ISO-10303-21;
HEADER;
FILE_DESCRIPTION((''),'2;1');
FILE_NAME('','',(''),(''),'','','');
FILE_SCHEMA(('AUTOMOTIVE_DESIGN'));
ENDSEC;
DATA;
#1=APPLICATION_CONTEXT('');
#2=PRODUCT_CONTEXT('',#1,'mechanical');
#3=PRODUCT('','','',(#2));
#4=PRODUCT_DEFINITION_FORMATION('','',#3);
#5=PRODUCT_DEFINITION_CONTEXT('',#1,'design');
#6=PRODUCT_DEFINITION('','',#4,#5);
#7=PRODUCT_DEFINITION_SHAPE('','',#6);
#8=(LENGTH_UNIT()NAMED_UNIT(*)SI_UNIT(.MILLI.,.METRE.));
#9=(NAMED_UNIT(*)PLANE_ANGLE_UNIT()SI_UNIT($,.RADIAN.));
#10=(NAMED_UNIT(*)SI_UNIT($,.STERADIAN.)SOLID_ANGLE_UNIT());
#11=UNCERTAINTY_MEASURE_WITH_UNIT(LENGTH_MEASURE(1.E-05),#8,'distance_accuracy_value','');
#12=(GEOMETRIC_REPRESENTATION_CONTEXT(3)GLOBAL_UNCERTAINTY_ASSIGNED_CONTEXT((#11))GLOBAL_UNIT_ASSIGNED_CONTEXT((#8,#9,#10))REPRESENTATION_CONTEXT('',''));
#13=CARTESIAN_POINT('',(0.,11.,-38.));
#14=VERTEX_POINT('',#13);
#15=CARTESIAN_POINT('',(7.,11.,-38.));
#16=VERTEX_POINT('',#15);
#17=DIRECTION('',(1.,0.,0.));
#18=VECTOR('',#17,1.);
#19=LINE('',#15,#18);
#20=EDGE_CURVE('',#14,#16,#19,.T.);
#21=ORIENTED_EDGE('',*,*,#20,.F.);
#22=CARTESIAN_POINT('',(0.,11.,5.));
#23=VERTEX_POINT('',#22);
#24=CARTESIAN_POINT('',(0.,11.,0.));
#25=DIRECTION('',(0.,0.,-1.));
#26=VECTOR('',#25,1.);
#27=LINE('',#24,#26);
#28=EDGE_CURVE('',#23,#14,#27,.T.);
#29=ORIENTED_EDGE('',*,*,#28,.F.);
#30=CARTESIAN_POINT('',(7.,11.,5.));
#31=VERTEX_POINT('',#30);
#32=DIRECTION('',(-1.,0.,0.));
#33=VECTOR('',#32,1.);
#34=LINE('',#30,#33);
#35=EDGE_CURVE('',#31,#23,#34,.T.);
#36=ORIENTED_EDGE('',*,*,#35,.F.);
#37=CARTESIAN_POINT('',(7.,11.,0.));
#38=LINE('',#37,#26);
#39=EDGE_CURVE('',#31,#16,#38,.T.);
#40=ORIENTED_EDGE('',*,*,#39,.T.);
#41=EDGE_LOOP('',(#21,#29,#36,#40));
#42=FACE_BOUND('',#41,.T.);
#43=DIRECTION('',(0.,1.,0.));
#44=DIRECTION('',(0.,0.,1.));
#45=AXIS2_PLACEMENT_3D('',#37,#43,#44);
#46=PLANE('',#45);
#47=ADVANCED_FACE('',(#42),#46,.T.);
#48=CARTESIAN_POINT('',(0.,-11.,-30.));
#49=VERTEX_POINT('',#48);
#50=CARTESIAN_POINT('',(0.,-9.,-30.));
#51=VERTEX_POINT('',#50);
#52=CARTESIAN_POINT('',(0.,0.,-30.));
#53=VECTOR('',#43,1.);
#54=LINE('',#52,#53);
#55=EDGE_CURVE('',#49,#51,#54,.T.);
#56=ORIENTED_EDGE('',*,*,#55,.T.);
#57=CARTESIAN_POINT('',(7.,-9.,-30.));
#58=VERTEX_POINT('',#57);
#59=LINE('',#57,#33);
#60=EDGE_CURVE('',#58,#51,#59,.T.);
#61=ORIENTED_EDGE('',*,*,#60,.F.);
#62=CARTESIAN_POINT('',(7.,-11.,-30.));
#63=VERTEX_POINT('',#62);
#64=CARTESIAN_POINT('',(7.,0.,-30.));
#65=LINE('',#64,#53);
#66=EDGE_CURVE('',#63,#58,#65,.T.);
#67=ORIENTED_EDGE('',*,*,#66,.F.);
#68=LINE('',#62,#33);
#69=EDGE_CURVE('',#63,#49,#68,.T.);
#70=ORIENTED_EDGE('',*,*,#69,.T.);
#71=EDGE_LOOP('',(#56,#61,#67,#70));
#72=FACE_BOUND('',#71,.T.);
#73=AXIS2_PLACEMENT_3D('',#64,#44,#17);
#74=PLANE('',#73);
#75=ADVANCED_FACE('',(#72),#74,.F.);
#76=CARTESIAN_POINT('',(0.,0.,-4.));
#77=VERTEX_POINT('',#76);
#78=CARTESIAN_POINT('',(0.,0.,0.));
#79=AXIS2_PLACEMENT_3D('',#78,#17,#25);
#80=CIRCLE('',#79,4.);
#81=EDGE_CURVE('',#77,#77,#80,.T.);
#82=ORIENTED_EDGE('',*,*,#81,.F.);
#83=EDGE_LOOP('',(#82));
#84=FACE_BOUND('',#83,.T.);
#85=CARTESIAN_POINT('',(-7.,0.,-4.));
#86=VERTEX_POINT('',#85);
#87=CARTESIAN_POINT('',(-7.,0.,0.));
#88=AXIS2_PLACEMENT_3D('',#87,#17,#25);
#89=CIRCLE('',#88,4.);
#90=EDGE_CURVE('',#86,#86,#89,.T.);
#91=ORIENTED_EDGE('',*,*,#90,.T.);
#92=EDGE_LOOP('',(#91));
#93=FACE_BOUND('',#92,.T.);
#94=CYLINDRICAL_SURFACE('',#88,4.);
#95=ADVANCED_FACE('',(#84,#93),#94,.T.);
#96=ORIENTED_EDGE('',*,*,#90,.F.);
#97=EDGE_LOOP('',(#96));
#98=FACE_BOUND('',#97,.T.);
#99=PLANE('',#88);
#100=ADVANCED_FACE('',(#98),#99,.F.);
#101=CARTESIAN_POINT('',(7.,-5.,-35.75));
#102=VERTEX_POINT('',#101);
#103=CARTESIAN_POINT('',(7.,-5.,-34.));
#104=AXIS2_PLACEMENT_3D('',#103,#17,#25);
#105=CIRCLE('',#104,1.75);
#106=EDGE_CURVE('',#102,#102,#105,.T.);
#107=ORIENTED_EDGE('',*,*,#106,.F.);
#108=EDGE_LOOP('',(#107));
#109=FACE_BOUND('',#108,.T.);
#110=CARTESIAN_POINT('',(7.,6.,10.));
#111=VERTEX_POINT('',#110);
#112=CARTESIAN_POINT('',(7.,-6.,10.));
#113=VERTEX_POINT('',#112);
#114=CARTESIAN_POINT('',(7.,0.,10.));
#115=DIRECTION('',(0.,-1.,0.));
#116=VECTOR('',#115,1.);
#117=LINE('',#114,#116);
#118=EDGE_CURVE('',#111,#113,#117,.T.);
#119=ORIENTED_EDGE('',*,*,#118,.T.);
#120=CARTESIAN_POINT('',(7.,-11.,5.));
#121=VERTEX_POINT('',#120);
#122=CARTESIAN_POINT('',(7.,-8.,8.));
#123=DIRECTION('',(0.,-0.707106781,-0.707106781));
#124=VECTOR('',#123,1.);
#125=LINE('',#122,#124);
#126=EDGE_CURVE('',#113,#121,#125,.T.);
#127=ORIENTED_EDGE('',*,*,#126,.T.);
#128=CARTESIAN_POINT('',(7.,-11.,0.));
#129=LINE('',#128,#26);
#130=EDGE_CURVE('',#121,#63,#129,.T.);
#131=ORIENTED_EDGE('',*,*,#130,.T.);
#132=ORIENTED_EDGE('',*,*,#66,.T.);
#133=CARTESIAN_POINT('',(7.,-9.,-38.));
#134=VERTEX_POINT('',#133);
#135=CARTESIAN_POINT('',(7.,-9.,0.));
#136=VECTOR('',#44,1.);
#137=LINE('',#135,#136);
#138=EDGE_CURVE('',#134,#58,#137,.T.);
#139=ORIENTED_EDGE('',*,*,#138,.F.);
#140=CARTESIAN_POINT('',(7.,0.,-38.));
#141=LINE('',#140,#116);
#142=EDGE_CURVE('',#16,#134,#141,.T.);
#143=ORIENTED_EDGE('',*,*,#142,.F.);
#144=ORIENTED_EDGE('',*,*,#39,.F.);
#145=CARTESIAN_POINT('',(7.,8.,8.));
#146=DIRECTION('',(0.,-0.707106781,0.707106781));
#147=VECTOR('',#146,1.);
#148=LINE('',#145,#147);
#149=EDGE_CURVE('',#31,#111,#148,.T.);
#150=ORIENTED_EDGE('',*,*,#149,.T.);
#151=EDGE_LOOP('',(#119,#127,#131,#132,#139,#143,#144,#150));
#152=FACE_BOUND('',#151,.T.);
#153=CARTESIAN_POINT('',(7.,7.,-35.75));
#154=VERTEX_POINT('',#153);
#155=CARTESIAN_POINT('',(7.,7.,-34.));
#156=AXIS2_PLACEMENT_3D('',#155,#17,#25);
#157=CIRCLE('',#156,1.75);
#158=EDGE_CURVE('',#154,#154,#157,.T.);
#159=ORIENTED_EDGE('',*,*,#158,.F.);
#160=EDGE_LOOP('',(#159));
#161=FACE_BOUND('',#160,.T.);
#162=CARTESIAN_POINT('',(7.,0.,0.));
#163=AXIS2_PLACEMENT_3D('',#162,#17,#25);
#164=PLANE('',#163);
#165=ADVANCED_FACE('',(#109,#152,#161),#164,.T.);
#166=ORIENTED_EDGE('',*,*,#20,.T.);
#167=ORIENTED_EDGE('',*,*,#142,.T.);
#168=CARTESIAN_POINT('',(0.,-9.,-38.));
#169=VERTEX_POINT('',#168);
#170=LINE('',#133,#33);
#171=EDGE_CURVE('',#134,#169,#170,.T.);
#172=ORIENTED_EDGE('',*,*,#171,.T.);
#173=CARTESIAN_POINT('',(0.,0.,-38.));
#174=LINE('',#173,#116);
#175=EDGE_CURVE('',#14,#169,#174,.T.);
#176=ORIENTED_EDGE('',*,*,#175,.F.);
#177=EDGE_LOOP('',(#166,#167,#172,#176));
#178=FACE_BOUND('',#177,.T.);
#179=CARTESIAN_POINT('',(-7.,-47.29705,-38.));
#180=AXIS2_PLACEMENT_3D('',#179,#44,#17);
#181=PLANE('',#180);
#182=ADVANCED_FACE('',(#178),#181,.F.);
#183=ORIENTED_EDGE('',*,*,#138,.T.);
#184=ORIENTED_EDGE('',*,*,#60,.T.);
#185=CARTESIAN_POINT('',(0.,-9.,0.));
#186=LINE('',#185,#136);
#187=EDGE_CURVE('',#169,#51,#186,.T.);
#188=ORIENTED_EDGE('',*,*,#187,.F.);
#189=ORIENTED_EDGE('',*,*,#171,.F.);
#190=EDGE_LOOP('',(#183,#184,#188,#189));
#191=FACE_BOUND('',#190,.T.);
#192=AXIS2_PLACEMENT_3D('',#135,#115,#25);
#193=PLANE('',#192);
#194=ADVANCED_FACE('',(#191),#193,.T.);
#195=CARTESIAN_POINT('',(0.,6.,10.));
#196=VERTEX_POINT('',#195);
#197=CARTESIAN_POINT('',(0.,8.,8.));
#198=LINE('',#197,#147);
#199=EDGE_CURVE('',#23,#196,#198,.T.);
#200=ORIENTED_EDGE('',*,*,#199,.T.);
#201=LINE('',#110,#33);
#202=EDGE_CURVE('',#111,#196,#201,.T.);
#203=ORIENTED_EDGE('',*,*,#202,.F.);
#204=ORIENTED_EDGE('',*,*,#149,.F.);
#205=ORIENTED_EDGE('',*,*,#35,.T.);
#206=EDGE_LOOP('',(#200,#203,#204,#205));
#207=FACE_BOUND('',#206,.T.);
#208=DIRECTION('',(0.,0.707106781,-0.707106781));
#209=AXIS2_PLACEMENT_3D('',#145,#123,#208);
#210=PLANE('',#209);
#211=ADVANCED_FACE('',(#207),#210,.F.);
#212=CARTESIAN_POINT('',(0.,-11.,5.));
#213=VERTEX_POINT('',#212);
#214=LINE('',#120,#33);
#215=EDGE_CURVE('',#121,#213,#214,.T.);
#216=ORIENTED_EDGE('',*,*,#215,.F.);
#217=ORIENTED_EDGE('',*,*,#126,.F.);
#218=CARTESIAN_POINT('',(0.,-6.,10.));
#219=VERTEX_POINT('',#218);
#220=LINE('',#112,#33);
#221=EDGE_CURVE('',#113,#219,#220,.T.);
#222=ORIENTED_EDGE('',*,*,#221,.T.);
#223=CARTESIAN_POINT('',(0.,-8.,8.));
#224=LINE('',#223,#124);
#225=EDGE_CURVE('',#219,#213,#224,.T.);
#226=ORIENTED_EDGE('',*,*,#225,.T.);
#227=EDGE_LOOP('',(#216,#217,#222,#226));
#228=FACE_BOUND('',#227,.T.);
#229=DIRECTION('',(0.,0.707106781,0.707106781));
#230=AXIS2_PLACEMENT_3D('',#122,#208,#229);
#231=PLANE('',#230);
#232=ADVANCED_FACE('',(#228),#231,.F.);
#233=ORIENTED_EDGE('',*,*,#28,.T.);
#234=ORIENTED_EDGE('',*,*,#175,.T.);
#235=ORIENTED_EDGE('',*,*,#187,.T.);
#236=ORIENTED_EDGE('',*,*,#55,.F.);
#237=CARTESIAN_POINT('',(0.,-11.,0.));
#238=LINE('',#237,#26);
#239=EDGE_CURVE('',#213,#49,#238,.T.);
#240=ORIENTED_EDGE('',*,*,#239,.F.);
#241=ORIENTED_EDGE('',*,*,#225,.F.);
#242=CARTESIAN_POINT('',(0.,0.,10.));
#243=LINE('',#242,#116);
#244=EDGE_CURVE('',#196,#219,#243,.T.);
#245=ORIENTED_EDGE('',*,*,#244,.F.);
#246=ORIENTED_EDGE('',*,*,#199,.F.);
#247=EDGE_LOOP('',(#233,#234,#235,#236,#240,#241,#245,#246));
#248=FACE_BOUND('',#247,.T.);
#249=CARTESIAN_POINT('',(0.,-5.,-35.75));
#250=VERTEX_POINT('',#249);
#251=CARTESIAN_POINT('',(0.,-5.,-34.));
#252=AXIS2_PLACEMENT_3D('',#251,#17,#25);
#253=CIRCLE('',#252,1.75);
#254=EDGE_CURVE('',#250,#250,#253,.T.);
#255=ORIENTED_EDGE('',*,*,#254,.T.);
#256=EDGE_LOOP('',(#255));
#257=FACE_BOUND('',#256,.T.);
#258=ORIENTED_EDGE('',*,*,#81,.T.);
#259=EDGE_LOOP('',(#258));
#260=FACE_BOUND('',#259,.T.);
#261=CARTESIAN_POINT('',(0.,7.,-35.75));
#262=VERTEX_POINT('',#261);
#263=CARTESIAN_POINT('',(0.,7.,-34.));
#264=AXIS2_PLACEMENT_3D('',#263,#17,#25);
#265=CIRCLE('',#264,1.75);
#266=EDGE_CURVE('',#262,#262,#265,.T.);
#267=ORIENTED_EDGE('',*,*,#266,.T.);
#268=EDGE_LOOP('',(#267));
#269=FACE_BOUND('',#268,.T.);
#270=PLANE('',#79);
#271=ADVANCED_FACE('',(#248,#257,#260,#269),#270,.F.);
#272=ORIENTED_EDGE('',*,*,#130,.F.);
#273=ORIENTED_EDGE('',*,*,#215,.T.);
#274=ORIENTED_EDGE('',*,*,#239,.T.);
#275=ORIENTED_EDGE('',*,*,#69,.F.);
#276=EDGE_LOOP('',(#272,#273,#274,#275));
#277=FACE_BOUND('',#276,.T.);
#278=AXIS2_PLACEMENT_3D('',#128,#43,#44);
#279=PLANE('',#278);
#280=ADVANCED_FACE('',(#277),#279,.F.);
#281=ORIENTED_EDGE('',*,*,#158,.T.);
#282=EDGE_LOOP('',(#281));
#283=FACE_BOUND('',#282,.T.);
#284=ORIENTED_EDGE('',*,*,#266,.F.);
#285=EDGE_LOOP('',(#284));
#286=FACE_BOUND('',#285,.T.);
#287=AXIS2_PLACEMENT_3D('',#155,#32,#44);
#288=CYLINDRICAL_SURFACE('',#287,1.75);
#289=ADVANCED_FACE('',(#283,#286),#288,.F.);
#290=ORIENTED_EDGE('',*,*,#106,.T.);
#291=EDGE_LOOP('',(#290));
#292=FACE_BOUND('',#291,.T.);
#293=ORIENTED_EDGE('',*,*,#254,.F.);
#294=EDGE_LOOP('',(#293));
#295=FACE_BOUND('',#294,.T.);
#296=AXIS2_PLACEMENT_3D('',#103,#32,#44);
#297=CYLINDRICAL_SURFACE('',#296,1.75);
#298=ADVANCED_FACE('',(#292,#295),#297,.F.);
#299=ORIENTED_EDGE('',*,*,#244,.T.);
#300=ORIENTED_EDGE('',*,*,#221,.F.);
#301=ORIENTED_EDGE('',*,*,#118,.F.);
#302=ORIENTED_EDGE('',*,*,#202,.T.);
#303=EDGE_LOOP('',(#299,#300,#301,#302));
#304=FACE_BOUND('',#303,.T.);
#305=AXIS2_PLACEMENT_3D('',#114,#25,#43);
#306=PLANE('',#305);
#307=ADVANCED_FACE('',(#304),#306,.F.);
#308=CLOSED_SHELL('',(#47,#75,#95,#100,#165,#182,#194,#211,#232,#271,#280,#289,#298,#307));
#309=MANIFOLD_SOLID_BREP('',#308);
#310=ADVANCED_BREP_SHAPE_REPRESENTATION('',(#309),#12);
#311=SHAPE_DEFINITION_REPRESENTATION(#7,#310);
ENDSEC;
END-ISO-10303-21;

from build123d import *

# Parameters (mm, degrees)
SKETCH1_R               = 1.75
BOSS_EXTRUDE1_DEPTH     = 7
SKETCH1_4_R             = 4
BOSS_EXTRUDE2_DEPTH     = 7
CUT_EXTRUDE1_DEPTH      = 92.744209627
CUT_EXTRUDE1_DEPTH_BACK = 92.744209627
SKETCH2_W               = 104
SKETCH2_H               = 76.59410066


with BuildPart() as part:
    # Sketch1 → Boss-Extrude1 (new body)
    with BuildSketch(Plane(origin=(0, 0, 0), x_dir=(0, 0, -1), z_dir=(1, 0, 0))):
        Polygon((90, 11), (-5, 11), (-10, 6), (-10, -6), (-5, -11), (30, -11), (30, -9), (90, -9), align=None)
        with Locations((34, -5)):
            Circle(SKETCH1_R, mode=Mode.SUBTRACT)
        with BuildLine():
            ThreePointArc((64, -6.75), (62.25, -5), (64, -3.25))
            Line((64, -3.25), (66, -3.25))
            ThreePointArc((66, -3.25), (67.75, -5), (66, -6.75))
            Line((66, -6.75), (64, -6.75))
        make_face(mode=Mode.SUBTRACT)
        with Locations((34, 7)):
            Circle(SKETCH1_R, mode=Mode.SUBTRACT)
        with BuildLine():
            ThreePointArc((45, 3.25), (43.25, 5), (45, 6.75))
            Line((45, 6.75), (47, 6.75))
            ThreePointArc((47, 6.75), (48.75, 5), (47, 3.25))
            Line((47, 3.25), (45, 3.25))
        make_face(mode=Mode.SUBTRACT)
        with BuildLine():
            ThreePointArc((85, 6.75), (86.75, 5), (85, 3.25))
            Line((85, 3.25), (83, 3.25))
            ThreePointArc((83, 3.25), (81.25, 5), (83, 6.75))
            Line((83, 6.75), (85, 6.75))
        make_face(mode=Mode.SUBTRACT)
    extrude(amount=BOSS_EXTRUDE1_DEPTH)

    # Sketch1<4> → Boss-Extrude2 (add)
    with BuildSketch(Plane(origin=(0, 0, 0), x_dir=(0, 0, -1), z_dir=(1, 0, 0))):
        Circle(SKETCH1_4_R)
    extrude(amount=-BOSS_EXTRUDE2_DEPTH)

    # Sketch2 → Cut-Extrude1 (cut, two sides: drawn at the far end of the back side and taken through both)
    with BuildSketch(Plane(origin=(7, 0, 0), x_dir=(0, 0, -1), z_dir=(1, 0, 0)).offset(-CUT_EXTRUDE1_DEPTH_BACK)):
        with Locations((90, -9)):
            Rectangle(SKETCH2_W, SKETCH2_H)
    extrude(amount=CUT_EXTRUDE1_DEPTH + CUT_EXTRUDE1_DEPTH_BACK, mode=Mode.SUBTRACT)


solid = part.part
